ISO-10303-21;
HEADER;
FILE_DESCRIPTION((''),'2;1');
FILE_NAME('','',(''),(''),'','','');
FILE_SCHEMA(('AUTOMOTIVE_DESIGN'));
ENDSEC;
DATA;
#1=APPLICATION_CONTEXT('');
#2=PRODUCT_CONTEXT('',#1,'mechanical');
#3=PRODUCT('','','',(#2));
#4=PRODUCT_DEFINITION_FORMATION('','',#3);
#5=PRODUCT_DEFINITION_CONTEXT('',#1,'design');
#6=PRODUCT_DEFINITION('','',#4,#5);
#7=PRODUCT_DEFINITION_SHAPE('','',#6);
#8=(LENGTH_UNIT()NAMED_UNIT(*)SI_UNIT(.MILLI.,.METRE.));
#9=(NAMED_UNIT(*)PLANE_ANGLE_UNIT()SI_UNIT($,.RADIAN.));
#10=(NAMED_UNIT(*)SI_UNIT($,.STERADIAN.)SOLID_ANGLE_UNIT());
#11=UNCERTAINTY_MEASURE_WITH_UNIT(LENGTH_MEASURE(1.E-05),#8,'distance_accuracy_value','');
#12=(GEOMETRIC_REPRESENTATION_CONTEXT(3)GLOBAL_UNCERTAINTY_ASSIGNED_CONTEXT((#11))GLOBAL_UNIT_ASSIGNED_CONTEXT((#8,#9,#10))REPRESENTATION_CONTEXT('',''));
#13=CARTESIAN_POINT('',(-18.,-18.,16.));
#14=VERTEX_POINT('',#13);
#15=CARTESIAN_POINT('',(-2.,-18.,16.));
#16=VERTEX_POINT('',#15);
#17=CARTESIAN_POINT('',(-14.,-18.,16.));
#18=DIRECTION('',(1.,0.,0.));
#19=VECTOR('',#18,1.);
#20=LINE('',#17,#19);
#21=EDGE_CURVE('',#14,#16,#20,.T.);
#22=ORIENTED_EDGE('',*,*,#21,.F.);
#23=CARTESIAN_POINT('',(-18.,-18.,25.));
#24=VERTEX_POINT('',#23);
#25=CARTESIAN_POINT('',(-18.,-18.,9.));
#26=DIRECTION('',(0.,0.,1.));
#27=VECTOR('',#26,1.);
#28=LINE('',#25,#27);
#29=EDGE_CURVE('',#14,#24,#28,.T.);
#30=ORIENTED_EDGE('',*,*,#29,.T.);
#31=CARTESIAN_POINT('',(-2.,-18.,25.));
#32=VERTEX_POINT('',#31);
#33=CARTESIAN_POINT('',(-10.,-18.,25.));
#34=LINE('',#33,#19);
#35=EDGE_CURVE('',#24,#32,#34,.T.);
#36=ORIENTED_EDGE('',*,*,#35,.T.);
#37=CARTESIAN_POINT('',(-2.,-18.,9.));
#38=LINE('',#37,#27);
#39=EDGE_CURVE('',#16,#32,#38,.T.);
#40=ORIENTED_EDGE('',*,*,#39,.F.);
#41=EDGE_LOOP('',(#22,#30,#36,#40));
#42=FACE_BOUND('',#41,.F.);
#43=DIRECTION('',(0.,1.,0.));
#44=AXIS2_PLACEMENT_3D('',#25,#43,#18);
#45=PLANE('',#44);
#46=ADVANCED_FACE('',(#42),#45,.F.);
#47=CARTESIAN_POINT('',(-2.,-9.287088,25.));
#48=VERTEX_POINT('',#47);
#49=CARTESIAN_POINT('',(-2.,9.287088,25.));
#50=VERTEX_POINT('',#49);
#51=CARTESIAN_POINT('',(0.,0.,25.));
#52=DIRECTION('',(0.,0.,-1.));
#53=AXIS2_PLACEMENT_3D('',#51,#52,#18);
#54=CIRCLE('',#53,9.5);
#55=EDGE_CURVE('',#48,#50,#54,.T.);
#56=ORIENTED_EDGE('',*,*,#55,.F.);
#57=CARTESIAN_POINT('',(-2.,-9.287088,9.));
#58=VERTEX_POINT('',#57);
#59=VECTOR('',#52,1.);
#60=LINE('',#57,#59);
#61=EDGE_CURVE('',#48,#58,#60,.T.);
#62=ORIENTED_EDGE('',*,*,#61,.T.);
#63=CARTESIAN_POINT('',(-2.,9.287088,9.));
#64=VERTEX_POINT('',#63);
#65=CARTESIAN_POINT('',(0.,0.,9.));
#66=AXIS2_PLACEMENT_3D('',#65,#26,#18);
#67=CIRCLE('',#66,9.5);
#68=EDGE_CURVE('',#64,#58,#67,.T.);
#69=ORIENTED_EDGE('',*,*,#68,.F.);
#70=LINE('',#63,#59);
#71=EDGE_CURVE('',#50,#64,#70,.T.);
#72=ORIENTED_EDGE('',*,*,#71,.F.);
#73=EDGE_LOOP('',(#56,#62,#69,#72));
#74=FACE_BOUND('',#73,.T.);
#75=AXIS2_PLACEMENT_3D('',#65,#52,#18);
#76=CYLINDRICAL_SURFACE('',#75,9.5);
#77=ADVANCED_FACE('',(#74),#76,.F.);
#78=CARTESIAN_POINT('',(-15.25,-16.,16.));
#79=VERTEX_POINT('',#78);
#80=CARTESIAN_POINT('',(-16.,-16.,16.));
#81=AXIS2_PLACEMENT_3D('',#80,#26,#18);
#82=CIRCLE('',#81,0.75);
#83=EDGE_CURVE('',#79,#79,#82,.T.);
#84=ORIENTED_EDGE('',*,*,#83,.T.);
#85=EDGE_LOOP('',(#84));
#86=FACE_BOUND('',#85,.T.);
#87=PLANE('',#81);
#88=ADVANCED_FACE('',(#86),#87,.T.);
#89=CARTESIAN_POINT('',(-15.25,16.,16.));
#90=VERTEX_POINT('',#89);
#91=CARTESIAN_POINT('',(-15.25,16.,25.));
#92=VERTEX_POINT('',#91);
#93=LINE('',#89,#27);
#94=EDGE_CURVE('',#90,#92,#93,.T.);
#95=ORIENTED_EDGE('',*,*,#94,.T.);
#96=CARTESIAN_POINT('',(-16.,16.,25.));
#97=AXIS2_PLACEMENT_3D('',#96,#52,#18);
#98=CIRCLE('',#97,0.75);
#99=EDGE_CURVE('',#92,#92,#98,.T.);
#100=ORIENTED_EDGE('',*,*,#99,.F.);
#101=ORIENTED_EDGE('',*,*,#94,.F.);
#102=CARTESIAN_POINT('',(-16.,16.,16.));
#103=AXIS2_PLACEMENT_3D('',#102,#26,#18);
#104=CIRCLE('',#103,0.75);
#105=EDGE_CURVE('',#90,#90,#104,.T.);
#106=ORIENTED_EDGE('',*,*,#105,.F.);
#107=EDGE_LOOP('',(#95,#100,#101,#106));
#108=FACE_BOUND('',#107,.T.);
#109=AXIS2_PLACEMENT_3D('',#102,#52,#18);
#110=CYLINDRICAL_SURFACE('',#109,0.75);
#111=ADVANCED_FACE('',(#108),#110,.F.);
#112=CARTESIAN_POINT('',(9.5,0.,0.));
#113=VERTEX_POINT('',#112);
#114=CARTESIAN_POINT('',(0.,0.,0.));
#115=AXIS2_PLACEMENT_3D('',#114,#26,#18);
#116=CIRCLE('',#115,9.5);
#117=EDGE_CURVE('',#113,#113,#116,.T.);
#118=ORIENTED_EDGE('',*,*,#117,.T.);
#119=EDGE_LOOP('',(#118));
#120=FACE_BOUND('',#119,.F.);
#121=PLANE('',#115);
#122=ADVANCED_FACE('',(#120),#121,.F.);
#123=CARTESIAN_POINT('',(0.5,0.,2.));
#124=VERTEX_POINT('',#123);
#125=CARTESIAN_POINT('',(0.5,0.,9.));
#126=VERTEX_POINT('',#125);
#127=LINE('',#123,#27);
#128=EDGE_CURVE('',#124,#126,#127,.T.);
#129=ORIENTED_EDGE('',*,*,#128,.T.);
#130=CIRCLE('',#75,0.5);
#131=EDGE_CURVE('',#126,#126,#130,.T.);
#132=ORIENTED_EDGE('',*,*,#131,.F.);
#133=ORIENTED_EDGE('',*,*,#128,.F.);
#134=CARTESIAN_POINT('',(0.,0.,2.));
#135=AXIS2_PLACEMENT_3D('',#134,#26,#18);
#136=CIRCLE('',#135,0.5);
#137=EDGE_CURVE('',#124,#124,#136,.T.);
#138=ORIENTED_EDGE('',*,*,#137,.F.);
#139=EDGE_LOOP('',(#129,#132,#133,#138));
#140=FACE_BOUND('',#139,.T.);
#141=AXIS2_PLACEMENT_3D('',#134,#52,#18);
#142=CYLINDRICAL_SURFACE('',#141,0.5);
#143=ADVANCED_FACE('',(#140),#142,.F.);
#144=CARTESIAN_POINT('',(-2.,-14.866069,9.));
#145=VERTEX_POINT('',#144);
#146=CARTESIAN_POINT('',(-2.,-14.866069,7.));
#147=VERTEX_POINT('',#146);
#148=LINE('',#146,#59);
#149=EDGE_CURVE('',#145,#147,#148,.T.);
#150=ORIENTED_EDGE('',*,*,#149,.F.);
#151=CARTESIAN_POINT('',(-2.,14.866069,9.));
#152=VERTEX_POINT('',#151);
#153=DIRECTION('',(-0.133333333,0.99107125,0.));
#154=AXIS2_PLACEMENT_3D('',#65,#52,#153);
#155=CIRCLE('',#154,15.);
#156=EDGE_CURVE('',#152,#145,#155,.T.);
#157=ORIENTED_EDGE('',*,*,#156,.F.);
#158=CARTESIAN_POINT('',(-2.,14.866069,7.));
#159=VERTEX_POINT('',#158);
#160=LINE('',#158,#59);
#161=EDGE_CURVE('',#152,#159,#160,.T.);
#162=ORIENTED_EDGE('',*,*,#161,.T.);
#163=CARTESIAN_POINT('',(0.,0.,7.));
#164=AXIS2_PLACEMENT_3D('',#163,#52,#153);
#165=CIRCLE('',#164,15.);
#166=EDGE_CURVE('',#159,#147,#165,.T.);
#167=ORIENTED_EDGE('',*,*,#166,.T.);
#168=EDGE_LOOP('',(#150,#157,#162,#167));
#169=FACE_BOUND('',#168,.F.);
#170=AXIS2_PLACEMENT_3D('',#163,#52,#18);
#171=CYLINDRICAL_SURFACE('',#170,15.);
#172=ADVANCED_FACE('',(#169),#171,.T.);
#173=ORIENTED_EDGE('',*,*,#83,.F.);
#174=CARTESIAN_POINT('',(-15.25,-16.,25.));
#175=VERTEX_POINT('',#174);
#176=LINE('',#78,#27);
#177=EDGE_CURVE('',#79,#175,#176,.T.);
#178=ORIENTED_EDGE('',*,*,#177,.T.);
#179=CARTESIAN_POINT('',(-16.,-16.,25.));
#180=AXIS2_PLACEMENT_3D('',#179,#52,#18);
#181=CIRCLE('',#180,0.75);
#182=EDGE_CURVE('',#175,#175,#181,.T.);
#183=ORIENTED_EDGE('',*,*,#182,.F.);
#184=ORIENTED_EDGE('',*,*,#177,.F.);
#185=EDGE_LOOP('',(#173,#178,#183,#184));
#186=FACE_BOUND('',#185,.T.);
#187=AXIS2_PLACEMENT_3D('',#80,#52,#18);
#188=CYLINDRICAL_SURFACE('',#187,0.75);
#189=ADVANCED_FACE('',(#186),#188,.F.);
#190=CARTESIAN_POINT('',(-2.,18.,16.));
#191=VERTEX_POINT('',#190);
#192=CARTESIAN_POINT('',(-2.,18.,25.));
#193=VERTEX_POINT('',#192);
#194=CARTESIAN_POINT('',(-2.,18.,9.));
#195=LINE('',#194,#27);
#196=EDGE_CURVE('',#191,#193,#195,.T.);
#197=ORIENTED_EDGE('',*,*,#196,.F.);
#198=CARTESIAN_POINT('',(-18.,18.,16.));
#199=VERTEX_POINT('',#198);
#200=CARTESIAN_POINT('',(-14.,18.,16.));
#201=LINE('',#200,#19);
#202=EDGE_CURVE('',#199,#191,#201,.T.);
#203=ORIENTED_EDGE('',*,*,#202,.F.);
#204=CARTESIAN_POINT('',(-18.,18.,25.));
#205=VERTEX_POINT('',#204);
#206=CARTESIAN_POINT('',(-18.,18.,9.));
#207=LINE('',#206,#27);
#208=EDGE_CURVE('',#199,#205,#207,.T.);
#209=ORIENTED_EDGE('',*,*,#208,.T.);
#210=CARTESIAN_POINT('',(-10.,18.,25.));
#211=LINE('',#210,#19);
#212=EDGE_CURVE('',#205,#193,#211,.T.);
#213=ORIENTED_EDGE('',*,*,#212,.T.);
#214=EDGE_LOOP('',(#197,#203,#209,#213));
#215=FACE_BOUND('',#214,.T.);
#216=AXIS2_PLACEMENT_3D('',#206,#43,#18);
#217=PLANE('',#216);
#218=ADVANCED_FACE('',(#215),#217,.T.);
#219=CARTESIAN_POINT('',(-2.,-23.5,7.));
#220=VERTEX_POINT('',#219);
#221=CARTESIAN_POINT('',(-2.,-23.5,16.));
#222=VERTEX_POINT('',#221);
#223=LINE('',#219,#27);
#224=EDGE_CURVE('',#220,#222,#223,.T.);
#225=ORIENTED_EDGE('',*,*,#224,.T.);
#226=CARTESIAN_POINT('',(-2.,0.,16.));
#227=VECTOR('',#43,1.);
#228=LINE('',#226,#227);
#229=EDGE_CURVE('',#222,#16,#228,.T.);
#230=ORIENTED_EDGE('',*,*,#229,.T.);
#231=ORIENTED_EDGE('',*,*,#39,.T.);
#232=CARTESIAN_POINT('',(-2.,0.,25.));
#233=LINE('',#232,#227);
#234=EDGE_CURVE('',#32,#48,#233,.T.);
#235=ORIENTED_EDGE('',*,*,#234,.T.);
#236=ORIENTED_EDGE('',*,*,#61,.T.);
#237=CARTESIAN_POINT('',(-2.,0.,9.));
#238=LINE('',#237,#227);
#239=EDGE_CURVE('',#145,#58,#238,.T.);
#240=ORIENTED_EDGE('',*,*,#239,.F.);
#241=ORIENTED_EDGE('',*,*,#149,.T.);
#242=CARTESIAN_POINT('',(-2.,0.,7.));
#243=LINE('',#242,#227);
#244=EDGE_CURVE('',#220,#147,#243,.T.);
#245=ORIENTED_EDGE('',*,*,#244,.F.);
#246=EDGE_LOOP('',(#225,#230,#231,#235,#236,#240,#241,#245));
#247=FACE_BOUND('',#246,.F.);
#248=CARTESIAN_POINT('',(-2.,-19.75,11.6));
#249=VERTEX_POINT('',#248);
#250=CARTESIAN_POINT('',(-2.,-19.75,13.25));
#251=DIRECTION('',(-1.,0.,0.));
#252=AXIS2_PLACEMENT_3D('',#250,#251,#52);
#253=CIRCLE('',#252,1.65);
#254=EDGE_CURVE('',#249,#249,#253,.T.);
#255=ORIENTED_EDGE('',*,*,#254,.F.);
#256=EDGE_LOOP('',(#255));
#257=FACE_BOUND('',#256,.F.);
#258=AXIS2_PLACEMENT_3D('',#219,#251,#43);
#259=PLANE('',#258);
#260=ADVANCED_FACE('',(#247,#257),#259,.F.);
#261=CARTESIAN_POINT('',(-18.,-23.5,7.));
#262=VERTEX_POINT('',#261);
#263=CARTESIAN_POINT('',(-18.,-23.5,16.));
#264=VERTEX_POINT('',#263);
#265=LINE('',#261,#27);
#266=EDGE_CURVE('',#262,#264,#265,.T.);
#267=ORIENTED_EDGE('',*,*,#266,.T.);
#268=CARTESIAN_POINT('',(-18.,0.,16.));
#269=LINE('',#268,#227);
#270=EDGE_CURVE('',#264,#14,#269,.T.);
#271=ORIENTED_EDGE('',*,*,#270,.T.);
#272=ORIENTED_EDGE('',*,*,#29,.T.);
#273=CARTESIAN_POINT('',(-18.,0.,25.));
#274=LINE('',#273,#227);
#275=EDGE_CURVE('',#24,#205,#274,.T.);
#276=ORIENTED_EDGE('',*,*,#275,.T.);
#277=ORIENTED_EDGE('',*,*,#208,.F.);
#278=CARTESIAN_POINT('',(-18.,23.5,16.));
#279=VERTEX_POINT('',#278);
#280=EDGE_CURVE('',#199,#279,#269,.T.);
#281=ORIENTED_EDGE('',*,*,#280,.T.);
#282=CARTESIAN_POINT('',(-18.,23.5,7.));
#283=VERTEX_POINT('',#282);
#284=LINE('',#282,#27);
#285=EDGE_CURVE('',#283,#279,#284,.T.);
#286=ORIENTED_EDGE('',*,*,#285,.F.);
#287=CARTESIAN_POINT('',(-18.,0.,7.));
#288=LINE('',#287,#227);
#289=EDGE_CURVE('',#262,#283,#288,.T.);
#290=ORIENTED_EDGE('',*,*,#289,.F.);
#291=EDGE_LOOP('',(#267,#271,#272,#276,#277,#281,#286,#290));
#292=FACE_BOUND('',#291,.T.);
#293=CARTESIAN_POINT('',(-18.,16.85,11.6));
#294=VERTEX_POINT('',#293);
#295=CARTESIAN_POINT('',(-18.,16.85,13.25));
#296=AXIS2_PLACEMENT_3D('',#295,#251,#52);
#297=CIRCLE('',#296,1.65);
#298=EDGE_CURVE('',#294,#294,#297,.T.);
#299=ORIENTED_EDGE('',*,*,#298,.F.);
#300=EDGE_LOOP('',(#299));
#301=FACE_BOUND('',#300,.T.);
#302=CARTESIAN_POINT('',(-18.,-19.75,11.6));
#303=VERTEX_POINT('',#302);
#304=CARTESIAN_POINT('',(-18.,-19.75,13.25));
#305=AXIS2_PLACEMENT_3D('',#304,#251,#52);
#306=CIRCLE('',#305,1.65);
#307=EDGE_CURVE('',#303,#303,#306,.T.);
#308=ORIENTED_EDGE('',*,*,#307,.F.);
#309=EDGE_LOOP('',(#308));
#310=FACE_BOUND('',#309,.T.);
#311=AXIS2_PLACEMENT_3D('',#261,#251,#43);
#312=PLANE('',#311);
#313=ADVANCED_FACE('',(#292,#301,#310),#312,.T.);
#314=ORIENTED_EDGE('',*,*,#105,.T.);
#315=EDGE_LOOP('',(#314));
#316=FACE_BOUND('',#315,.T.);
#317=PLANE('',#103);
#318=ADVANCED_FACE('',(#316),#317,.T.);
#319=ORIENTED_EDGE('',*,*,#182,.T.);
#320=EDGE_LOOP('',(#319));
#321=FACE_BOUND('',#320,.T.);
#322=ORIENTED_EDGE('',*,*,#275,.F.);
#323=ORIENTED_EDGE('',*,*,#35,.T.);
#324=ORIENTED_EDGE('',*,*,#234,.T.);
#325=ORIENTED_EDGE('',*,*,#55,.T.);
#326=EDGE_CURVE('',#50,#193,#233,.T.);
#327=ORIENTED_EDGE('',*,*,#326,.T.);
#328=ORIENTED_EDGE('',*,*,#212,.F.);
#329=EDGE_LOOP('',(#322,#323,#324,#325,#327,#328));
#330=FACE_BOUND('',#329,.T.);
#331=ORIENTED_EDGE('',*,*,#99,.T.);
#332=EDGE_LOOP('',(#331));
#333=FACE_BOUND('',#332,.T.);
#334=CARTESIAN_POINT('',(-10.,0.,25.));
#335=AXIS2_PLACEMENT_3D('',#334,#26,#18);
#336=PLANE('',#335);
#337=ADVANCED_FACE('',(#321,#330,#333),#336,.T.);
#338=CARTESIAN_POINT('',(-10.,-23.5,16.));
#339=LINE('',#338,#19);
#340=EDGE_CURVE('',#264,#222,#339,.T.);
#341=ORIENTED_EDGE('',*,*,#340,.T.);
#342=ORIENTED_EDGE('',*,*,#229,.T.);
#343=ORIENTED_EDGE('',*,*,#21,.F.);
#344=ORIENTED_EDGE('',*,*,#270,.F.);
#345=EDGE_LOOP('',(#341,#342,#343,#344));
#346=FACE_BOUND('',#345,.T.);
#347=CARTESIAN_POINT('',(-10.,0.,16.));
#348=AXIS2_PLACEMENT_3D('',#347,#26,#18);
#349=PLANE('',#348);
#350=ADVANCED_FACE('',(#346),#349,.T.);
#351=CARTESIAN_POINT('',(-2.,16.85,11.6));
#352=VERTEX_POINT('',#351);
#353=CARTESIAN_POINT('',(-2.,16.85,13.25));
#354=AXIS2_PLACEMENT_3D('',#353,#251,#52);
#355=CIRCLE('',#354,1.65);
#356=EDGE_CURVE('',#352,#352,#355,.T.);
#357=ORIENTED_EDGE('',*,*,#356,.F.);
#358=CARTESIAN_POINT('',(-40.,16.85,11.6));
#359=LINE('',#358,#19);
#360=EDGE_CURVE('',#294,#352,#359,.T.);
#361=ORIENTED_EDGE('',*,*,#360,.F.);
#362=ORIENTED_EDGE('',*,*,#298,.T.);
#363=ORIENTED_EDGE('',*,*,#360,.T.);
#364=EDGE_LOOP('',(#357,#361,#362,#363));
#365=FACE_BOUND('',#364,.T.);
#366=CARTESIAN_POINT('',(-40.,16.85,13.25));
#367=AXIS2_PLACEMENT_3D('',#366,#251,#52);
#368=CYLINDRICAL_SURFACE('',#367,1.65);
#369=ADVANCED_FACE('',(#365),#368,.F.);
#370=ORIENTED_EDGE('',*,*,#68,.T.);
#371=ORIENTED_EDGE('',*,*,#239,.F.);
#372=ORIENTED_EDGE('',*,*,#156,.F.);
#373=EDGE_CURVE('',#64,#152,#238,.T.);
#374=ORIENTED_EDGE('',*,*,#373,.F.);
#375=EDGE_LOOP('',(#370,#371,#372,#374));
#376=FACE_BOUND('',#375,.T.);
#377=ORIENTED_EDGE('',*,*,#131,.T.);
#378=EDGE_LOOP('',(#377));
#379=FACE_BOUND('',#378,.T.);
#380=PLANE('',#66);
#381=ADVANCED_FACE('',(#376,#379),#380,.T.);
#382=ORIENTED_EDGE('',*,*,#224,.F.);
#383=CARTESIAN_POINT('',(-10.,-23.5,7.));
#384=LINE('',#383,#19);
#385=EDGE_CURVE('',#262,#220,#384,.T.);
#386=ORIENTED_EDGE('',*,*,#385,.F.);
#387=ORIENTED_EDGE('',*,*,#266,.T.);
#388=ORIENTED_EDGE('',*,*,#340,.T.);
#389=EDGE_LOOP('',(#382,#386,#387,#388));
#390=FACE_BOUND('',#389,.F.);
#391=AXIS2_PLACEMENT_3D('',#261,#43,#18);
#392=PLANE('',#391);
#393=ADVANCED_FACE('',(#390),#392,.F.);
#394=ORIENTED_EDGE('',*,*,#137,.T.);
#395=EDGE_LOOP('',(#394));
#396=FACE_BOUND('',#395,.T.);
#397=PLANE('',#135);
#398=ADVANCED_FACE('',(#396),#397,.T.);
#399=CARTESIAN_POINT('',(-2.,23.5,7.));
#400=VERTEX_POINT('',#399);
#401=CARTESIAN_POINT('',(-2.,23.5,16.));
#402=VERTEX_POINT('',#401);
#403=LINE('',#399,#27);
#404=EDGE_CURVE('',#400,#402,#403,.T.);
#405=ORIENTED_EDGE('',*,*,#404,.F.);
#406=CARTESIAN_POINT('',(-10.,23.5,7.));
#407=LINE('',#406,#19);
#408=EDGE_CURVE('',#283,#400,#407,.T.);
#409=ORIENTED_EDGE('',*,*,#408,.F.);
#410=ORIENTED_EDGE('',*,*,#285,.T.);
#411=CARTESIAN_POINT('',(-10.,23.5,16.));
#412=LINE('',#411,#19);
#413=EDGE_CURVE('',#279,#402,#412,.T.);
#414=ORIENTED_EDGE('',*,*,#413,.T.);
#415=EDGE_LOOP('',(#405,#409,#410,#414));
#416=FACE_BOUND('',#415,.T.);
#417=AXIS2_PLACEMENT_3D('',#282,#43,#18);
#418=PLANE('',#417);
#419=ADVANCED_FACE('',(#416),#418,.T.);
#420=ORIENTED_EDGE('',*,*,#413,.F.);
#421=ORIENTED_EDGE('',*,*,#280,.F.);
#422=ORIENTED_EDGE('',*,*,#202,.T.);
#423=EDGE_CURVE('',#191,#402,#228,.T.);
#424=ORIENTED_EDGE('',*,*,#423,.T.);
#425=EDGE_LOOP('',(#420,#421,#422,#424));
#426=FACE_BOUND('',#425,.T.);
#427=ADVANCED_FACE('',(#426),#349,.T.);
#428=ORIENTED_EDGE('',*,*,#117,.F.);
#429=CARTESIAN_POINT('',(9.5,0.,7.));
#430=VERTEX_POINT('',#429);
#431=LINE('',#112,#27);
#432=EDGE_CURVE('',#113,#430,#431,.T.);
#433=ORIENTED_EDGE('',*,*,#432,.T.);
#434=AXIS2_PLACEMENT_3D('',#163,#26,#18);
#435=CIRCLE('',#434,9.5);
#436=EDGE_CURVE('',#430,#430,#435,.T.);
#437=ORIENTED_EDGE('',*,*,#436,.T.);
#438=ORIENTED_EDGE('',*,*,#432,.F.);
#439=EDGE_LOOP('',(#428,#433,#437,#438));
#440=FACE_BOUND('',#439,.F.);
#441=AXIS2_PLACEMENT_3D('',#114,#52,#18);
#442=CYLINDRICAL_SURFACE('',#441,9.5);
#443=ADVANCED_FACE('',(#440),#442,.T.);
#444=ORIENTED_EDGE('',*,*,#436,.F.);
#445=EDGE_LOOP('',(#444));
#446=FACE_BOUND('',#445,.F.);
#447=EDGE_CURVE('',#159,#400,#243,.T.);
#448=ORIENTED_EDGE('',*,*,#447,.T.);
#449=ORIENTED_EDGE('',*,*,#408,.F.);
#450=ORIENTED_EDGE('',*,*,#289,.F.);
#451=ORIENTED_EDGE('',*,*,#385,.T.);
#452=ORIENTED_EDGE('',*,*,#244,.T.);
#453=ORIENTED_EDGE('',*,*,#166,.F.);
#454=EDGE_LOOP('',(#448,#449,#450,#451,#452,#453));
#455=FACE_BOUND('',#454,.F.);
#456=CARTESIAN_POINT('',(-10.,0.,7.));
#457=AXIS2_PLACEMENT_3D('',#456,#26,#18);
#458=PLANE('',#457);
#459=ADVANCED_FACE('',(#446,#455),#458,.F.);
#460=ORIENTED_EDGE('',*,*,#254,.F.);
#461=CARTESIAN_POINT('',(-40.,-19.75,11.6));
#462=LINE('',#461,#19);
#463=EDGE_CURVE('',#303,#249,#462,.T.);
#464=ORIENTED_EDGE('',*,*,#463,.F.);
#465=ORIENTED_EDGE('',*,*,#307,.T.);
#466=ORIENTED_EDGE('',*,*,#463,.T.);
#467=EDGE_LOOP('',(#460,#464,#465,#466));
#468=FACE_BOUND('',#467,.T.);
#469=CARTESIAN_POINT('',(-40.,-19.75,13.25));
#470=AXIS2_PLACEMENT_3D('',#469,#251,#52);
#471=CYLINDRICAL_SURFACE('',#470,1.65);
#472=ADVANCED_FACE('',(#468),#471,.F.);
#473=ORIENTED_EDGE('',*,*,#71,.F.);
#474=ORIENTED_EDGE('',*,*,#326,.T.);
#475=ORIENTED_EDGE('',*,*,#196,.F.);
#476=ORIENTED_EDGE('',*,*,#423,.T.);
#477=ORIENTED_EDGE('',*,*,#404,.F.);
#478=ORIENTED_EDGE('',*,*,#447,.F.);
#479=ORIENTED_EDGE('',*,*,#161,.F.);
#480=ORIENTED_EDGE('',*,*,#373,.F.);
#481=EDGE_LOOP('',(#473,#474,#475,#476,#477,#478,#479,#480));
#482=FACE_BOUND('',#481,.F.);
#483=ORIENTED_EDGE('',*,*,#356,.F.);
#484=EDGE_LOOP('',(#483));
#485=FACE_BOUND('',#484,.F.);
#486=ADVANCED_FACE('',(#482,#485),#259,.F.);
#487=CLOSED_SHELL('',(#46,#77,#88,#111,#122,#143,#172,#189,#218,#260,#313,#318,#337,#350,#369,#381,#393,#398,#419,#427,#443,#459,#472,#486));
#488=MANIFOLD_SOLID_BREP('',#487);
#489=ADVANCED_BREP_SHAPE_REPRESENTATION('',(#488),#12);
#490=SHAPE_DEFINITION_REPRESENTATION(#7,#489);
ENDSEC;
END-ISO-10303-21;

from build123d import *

# Parameters (mm, degrees)
CYLINDER011_R     = 0.5
CYLINDER011_DEPTH = 10
CYLINDER010_R     = 9.5
CYLINDER010_DEPTH = 50
CYLINDER009_R     = 0.75
CYLINDER009_DEPTH = 10
CYLINDER008_R     = 0.75
CYLINDER008_DEPTH = 10
CYLINDER007_R     = 1.65
CYLINDER007_DEPTH = 100
CYLINDER006_R     = 1.65
CYLINDER006_DEPTH = 100
CYLINDER001_R     = 15
CYLINDER001_DEPTH = 2
BOX003_W          = 16
BOX003_H          = 36
BOX003_DEPTH      = 16
BOX004_W          = 16
BOX004_H          = 47
BOX004_DEPTH      = 9
CYLINDER_R        = 9.5
CYLINDER_DEPTH    = 7


with BuildPart() as zylinder011:
    # Cylinder011 → Cylinder011 (new body)
    with BuildSketch(Plane.XY.offset(2)):
        Circle(CYLINDER011_R)
    extrude(amount=CYLINDER011_DEPTH)


with BuildPart() as zylinder010:
    # Cylinder010 → Cylinder010 (new body)
    with BuildSketch(Plane.XY.offset(9)):
        Circle(CYLINDER010_R)
    extrude(amount=CYLINDER010_DEPTH)


with BuildPart() as zylinder009:
    # Cylinder009 → Cylinder009 (new body)
    with BuildSketch(Plane(origin=(-16, -16, 16), x_dir=(1, 0, 0), z_dir=(0, 0, 1))):
        Circle(CYLINDER009_R)
    extrude(amount=CYLINDER009_DEPTH)


with BuildPart() as m1_holes_for_modulation_coil:
    # Cylinder008 → Cylinder008 (new body)
    with BuildSketch(Plane(origin=(-16, 16, 16), x_dir=(1, 0, 0), z_dir=(0, 0, 1))):
        Circle(CYLINDER008_R)
    extrude(amount=CYLINDER008_DEPTH)

    # Compound004: union Zylinder009
    add(zylinder009.part)


with BuildPart() as zylinder007:
    # Cylinder007 → Cylinder007 (new body)
    with BuildSketch(Plane(origin=(-40, -19.75, 13.25), x_dir=(0, 0, -1), z_dir=(1, 0, 0))):
        Circle(CYLINDER007_R)
    extrude(amount=CYLINDER007_DEPTH)


with BuildPart() as compound003:
    # Cylinder006 → Cylinder006 (new body)
    with BuildSketch(Plane(origin=(-40, 16.85, 13.25), x_dir=(0, 0, -1), z_dir=(1, 0, 0))):
        Circle(CYLINDER006_R)
    extrude(amount=CYLINDER006_DEPTH)

    # Compound003: union Zylinder007
    add(zylinder007.part)


with BuildPart() as zylinder001:
    # Cylinder001 → Cylinder001 (new body)
    with BuildSketch(Plane.XY.offset(7)):
        Circle(CYLINDER001_R)
    extrude(amount=CYLINDER001_DEPTH)


with BuildPart() as w_rfel003:
    # Box003 → Box003 (new body)
    with BuildSketch(Plane(origin=(-18, -18, 9), x_dir=(1, 0, 0), z_dir=(0, 0, 1))):
        with Locations((8, 18)):
            Rectangle(BOX003_W, BOX003_H)
    extrude(amount=BOX003_DEPTH)


with BuildPart() as w_rfel004:
    # Box004 → Box004 (new body)
    with BuildSketch(Plane(origin=(-18, -23.5, 7), x_dir=(1, 0, 0), z_dir=(0, 0, 1))):
        with Locations((8, 23.5)):
            Rectangle(BOX004_W, BOX004_H)
    extrude(amount=BOX004_DEPTH)


with BuildPart() as cut005:
    # Cylinder → Cylinder (new body)
    with BuildSketch(Plane.XY):
        Circle(CYLINDER_R)
    extrude(amount=CYLINDER_DEPTH)

    # Fusion: union Zylinder001, Würfel003, Würfel004
    add(zylinder001.part)
    add(w_rfel003.part)
    add(w_rfel004.part)

    # Cut002: cut Compound003
    add(compound003.part, mode=Mode.SUBTRACT)

    # Cut003: cut M1 holes for modulation coil
    add(m1_holes_for_modulation_coil.part, mode=Mode.SUBTRACT)

    # Cut004: cut Zylinder010
    add(zylinder010.part, mode=Mode.SUBTRACT)

    # Cut005: cut Zylinder011
    add(zylinder011.part, mode=Mode.SUBTRACT)


solid = cut005.part
